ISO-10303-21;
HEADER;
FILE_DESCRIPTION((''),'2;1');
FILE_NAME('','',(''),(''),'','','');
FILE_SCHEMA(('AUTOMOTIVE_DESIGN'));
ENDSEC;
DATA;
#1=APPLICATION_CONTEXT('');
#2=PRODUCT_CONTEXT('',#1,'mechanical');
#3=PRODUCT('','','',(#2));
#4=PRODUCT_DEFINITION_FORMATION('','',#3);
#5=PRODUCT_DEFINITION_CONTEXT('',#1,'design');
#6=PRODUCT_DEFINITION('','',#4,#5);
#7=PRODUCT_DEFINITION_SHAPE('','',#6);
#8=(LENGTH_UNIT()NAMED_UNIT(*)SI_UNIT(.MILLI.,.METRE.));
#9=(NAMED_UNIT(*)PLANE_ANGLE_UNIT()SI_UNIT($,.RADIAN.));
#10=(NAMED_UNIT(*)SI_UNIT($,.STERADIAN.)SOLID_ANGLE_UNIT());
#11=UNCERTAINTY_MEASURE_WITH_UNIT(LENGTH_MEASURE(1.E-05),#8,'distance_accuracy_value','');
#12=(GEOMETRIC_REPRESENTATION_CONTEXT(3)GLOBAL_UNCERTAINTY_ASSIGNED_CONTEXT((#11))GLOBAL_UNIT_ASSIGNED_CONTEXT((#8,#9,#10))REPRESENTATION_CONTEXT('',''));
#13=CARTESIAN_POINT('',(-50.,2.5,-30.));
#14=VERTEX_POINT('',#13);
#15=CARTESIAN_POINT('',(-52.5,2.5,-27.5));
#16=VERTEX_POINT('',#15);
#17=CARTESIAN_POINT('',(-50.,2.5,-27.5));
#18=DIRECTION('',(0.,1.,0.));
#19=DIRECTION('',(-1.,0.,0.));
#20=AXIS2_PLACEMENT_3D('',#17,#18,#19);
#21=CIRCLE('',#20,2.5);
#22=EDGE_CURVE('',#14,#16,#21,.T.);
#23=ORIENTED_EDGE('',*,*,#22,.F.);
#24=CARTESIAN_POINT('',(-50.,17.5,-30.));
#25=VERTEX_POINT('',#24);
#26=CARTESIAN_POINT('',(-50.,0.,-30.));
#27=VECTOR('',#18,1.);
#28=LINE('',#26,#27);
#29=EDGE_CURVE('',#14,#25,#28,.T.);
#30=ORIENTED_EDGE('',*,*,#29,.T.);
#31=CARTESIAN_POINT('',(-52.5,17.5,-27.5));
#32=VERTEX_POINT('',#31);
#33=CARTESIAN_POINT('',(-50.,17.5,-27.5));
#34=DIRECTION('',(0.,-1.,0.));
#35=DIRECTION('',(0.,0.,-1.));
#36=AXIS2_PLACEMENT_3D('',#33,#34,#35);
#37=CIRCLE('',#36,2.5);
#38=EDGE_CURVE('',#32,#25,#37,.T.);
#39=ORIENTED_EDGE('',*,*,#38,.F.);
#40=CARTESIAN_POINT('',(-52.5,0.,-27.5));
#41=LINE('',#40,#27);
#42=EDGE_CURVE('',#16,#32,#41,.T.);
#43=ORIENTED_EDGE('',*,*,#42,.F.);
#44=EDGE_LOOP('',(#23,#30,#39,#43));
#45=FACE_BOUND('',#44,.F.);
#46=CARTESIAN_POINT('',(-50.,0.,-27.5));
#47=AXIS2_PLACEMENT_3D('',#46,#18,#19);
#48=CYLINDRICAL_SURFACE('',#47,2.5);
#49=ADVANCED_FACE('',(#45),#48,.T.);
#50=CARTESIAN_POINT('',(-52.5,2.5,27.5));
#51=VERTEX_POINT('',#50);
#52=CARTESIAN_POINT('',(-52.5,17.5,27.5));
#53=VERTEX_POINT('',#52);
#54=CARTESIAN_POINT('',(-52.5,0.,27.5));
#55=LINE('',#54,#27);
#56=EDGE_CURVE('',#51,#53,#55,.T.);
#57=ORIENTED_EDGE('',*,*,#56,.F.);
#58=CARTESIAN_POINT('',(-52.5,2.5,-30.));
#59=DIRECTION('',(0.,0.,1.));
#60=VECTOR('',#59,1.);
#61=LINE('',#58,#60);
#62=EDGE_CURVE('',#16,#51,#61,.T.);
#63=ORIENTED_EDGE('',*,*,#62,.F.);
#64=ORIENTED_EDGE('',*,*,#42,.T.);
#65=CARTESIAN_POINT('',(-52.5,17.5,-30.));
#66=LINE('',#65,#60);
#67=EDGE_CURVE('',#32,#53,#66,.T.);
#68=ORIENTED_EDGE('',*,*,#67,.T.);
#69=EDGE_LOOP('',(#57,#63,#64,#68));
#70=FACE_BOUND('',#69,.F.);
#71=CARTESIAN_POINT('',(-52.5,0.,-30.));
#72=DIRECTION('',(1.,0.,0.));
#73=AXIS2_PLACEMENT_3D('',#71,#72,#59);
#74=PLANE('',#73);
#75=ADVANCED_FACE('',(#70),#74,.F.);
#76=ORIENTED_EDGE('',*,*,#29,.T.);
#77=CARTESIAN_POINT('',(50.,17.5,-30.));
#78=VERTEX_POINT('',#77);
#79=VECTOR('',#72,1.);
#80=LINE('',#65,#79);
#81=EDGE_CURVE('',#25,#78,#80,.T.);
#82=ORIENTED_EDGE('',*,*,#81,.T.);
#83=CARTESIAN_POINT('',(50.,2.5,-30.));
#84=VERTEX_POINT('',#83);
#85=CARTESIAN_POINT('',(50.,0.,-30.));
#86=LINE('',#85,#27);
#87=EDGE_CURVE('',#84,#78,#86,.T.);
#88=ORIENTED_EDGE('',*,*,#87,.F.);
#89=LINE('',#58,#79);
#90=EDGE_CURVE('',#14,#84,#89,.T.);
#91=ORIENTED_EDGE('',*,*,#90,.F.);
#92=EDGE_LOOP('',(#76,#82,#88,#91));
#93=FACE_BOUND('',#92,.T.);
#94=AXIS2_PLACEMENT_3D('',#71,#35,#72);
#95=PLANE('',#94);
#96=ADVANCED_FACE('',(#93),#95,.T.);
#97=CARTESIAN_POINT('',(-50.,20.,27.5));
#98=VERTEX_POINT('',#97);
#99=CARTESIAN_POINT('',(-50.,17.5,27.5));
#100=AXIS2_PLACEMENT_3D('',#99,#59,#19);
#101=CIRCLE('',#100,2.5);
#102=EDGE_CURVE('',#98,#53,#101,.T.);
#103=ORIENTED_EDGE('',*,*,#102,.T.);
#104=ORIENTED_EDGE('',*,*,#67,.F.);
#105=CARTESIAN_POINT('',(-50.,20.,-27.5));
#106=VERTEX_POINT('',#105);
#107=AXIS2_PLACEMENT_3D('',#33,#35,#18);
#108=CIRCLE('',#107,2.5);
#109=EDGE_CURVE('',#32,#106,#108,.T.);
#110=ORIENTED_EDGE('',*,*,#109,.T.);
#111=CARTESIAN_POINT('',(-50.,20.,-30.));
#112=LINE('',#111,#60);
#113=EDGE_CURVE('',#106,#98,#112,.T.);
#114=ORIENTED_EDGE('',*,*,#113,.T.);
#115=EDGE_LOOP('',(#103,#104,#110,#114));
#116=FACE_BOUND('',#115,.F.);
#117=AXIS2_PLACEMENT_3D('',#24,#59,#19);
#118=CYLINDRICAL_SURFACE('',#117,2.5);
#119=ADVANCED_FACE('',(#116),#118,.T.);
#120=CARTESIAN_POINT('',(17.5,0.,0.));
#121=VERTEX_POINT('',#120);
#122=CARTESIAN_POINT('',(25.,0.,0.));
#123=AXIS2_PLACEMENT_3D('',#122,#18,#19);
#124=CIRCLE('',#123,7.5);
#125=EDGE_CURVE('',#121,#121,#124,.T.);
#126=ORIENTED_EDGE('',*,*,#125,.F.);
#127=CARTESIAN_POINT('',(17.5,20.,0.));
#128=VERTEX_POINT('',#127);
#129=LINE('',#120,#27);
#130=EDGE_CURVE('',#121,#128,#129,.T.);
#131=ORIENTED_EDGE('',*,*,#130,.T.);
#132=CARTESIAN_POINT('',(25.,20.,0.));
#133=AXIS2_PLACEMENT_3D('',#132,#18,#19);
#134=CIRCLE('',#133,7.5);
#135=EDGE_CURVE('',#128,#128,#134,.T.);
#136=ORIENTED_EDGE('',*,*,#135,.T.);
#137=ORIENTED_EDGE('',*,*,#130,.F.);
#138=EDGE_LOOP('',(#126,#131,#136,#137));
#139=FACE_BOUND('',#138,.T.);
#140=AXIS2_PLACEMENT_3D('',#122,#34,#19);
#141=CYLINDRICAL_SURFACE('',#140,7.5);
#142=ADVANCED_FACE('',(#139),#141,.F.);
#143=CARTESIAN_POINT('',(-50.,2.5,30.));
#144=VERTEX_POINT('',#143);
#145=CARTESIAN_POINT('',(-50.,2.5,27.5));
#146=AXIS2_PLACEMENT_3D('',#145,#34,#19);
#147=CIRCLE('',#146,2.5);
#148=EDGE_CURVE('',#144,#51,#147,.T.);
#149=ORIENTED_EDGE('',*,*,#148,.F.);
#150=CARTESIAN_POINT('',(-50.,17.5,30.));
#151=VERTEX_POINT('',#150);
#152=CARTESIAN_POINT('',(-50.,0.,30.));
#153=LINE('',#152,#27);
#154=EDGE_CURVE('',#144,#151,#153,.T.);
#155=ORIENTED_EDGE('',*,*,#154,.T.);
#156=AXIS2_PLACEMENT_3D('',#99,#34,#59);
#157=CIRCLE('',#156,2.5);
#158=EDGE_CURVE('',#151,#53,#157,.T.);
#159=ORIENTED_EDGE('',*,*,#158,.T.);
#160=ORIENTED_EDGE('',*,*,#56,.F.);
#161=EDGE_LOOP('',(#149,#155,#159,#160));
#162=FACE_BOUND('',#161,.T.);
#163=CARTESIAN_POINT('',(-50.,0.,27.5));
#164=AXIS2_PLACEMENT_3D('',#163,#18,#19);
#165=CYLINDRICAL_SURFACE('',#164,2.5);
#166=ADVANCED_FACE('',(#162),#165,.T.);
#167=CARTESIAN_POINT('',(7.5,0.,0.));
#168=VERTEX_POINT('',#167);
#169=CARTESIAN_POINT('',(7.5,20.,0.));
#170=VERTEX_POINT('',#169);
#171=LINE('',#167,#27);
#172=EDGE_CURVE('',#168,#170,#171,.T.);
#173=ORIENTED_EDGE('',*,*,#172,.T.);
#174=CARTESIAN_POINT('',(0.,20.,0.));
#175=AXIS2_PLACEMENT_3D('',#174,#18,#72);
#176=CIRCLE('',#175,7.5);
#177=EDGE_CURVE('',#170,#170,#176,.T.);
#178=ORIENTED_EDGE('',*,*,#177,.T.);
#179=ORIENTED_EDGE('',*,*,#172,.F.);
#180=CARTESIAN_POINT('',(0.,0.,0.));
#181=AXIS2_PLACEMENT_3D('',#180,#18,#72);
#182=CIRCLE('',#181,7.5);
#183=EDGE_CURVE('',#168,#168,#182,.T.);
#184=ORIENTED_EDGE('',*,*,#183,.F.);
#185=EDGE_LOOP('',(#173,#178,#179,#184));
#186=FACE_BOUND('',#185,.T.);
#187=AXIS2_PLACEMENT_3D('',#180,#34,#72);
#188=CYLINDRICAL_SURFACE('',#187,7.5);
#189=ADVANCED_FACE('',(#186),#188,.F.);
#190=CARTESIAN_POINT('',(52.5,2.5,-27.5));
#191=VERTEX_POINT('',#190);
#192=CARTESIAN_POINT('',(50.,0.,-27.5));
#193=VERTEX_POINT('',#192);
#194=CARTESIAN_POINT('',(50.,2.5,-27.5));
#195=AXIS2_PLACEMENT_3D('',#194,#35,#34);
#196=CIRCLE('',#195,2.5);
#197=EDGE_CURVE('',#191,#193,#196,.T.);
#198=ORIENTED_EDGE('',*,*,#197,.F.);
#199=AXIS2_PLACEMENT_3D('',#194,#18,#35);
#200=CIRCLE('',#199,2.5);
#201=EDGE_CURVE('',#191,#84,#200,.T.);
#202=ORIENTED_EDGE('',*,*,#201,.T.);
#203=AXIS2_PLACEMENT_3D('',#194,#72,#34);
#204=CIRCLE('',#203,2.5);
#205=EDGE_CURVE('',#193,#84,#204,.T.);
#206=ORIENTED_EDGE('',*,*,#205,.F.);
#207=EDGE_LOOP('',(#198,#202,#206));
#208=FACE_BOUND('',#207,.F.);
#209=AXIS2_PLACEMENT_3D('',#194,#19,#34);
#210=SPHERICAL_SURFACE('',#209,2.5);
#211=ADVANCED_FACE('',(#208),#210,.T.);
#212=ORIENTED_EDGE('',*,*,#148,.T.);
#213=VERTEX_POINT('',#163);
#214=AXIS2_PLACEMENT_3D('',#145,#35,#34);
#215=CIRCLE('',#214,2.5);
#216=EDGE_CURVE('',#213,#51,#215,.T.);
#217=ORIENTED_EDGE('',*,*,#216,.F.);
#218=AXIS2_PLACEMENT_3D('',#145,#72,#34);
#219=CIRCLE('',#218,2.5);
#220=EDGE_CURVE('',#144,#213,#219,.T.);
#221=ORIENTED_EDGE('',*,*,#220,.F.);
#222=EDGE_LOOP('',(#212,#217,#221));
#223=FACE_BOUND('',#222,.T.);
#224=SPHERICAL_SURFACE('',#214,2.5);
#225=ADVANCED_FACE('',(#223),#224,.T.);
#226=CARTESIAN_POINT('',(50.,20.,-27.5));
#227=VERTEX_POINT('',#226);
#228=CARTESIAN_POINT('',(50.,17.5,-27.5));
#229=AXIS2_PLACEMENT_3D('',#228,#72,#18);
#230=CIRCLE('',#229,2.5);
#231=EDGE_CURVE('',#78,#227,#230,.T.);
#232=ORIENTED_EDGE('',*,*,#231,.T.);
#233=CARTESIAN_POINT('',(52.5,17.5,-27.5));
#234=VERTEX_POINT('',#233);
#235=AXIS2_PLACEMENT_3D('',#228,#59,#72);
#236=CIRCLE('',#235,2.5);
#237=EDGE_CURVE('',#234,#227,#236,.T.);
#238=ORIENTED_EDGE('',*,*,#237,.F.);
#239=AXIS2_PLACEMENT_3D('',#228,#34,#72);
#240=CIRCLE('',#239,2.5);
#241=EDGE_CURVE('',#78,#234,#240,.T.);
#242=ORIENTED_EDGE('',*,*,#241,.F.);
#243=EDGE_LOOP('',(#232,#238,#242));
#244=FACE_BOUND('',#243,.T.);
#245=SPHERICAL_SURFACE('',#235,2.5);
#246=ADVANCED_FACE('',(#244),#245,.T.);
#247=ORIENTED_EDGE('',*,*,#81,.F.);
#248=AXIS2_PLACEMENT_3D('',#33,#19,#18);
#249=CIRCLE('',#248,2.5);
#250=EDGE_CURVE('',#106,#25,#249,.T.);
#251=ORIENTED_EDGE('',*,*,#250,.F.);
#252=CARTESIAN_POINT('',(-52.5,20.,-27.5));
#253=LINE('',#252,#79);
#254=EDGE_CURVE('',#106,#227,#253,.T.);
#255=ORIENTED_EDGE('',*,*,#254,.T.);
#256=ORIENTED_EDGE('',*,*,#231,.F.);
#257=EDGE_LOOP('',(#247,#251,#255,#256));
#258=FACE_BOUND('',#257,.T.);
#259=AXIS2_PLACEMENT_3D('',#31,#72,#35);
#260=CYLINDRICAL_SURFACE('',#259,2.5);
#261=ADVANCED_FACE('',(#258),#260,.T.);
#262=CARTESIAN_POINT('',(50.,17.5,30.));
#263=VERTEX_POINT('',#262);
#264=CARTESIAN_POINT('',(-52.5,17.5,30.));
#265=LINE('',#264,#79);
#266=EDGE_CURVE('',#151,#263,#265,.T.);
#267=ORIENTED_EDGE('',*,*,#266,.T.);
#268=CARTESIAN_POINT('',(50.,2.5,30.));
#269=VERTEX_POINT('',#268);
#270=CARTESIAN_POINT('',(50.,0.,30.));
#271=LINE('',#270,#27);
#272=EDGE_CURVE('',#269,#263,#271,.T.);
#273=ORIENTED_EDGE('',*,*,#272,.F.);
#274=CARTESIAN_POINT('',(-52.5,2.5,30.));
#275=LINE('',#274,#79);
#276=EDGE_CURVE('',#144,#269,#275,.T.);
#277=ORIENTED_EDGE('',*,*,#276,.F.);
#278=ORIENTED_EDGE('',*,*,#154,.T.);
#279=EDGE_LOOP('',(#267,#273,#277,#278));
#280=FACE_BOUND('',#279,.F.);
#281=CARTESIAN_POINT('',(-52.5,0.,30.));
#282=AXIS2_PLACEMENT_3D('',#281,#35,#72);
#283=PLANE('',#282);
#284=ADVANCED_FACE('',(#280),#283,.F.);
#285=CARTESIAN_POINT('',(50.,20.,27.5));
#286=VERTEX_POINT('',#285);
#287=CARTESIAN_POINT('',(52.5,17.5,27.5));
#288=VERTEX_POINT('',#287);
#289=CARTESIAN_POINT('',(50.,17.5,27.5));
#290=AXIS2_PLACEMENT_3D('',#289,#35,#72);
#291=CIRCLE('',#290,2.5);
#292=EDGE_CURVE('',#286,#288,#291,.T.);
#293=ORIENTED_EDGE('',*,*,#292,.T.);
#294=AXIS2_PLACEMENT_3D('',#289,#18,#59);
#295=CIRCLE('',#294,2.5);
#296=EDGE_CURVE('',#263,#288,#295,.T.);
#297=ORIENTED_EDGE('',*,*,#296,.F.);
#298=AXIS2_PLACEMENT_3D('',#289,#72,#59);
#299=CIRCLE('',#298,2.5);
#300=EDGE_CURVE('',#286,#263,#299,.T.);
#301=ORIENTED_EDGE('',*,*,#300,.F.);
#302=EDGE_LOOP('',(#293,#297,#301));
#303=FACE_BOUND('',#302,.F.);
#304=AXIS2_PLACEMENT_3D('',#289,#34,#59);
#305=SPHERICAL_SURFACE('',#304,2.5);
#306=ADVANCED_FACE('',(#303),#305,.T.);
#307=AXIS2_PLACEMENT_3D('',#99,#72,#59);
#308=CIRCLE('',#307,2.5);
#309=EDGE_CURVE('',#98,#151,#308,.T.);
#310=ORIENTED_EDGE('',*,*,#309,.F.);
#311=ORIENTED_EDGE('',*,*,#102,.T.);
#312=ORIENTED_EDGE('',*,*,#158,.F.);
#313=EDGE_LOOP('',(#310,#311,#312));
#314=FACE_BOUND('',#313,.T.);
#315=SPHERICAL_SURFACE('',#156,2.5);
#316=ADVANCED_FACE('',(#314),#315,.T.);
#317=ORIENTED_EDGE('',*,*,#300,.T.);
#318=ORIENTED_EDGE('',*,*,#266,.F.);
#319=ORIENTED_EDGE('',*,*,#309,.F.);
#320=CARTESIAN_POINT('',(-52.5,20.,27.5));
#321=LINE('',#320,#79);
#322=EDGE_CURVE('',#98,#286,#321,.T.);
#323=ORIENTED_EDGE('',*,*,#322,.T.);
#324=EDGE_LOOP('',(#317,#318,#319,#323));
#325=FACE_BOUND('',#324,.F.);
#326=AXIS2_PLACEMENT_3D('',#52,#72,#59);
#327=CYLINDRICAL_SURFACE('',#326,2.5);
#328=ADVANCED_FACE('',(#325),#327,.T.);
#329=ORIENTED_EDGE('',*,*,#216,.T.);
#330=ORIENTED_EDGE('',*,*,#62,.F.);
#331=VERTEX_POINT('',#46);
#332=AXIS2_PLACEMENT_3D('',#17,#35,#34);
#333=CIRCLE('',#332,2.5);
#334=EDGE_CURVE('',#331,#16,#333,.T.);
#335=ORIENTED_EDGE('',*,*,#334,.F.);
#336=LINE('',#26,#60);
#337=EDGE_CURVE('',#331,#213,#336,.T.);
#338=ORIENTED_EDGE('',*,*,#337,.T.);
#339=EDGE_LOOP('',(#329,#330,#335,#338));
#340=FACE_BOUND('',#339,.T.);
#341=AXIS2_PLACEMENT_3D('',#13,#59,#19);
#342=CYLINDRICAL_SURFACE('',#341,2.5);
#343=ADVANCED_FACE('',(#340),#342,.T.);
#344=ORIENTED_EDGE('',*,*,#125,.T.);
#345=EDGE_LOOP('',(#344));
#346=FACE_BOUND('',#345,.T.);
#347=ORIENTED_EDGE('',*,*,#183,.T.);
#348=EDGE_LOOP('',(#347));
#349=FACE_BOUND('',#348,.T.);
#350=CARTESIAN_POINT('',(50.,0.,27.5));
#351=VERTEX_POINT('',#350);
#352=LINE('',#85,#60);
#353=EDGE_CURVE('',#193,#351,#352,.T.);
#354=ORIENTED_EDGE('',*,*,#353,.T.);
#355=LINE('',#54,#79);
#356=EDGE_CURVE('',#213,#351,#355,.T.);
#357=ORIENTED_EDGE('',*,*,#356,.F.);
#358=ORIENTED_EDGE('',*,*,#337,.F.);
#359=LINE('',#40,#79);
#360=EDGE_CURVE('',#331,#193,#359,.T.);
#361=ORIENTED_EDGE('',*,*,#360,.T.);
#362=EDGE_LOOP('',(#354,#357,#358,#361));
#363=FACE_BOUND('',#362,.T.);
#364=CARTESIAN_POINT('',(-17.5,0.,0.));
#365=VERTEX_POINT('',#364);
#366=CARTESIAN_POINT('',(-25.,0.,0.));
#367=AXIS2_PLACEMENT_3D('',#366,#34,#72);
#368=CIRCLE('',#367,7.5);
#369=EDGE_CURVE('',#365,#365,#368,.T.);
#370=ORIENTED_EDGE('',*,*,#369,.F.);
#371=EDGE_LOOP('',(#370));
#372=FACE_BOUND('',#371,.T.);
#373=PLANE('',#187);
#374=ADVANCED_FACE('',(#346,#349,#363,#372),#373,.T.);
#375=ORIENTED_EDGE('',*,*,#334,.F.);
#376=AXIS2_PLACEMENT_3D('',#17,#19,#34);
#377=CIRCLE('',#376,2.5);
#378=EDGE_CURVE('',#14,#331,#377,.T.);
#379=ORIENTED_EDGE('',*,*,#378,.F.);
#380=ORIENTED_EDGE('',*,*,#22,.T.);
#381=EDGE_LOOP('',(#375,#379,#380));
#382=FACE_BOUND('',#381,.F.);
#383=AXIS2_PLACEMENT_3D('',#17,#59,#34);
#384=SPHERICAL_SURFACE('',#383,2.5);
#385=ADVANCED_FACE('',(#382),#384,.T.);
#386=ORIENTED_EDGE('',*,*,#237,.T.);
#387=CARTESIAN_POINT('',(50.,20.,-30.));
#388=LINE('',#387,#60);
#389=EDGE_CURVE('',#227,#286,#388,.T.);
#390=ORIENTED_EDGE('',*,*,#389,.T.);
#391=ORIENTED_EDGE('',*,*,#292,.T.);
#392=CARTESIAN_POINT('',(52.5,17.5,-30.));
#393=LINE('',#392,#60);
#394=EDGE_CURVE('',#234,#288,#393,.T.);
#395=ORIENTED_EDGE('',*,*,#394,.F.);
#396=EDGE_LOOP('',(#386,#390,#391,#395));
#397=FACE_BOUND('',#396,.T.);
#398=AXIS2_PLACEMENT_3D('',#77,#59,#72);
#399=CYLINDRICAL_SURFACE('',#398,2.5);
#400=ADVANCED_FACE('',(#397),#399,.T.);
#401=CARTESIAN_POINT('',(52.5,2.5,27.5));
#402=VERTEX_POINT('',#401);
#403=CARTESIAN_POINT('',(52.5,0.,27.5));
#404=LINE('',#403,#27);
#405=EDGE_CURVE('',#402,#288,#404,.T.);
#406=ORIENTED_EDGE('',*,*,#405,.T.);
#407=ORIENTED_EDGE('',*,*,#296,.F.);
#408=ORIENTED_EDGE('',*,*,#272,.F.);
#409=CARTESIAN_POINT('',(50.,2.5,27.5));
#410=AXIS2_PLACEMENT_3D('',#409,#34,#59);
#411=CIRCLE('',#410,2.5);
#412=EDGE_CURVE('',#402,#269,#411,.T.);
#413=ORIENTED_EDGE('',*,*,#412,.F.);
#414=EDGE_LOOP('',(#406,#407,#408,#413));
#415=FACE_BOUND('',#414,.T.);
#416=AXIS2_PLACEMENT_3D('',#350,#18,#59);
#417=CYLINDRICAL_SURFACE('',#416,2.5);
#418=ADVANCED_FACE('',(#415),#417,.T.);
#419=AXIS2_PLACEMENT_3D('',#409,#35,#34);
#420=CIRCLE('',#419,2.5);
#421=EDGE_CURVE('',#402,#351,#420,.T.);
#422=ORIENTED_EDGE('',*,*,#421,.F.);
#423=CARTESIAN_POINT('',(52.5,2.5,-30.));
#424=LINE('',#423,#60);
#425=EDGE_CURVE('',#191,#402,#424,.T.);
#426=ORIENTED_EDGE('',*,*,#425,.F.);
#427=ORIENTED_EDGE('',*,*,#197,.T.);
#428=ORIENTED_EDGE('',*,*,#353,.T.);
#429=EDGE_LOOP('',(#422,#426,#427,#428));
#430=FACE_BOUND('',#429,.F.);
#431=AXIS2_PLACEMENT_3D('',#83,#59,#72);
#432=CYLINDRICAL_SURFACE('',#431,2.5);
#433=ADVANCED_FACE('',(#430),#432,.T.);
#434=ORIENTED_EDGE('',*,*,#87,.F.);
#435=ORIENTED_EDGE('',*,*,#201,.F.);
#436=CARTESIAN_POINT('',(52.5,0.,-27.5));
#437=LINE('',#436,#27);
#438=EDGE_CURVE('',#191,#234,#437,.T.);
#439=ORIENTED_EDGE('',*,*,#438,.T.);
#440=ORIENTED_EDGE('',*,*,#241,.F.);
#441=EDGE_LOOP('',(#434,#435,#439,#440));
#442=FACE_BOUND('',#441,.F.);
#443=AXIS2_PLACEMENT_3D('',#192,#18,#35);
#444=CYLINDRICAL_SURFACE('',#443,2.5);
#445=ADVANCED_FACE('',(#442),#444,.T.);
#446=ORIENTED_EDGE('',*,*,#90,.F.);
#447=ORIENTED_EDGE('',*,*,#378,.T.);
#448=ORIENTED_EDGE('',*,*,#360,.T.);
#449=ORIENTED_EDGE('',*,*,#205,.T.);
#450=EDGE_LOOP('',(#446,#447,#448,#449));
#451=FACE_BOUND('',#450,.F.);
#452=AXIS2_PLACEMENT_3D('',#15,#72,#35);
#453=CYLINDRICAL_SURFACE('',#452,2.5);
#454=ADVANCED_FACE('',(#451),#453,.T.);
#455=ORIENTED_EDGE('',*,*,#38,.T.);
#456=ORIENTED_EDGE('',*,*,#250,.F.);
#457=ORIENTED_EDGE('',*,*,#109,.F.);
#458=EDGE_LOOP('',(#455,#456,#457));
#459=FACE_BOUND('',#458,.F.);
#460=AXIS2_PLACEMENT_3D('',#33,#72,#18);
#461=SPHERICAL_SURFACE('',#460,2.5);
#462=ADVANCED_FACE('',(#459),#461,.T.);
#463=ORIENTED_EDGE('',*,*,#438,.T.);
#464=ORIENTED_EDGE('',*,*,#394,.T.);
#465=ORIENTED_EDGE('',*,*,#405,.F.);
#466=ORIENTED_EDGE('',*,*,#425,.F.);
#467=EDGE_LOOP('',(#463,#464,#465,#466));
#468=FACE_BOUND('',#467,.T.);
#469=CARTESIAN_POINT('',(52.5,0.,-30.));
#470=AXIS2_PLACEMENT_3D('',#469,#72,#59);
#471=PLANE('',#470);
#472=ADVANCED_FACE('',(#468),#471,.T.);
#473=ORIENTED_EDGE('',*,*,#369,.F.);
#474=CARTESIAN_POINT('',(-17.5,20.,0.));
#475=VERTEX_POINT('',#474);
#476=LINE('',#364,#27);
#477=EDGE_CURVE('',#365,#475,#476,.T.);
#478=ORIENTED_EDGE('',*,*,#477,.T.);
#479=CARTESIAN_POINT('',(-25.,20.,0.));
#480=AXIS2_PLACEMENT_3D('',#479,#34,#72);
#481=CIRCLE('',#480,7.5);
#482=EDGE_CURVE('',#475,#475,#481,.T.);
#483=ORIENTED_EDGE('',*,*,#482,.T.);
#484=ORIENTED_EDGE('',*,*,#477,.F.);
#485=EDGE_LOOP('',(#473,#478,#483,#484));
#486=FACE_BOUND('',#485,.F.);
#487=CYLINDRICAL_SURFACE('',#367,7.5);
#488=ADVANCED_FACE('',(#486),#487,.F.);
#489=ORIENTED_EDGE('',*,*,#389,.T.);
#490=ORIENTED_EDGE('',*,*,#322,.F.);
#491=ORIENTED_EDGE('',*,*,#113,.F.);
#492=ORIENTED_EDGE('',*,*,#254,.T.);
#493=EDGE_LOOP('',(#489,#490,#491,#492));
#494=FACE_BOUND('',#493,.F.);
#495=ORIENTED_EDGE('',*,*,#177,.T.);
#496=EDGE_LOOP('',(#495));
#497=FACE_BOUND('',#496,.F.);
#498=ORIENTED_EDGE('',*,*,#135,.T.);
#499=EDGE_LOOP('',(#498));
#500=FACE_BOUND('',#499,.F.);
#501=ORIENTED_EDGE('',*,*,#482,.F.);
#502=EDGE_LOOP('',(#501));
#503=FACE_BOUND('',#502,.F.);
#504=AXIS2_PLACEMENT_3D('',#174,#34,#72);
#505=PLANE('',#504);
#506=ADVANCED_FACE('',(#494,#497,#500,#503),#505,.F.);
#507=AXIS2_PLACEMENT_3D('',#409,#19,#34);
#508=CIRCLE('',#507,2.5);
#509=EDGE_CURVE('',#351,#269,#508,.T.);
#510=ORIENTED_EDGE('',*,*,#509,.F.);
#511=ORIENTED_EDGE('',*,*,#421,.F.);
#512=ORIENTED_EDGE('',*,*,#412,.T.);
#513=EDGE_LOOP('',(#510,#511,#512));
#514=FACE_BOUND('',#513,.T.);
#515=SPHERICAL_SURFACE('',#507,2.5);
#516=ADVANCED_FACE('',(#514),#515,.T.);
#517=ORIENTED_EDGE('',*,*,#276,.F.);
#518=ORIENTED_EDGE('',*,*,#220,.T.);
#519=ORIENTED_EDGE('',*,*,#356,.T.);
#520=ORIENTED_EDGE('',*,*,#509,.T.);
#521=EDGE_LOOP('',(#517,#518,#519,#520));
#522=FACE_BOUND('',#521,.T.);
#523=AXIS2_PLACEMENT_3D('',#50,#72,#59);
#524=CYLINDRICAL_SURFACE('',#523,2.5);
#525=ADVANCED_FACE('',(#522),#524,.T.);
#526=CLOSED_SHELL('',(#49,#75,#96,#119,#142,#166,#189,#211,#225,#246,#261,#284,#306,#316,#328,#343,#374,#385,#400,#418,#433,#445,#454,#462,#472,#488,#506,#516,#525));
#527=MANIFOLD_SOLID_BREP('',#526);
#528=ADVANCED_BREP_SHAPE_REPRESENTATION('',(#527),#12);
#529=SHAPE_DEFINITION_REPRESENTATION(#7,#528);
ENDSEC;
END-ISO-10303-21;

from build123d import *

# Parameters (mm, degrees)
F0_W     = 105
F0_H     = 60
F0_R     = 7.5
F1_DEPTH = 20
F2_R     = 2.5


with BuildPart() as f1:
    # F0 (on Front) → F1 (new body)
    with BuildSketch(Plane.XZ):
        Rectangle(F0_W, F0_H)
        with Locations((-25, 0)):
            Circle(F0_R, mode=Mode.SUBTRACT)
        with BuildLine():
            ThreePointArc((-7.5, 0), (0, 7.5), (7.5, 0))
            ThreePointArc((7.5, 0), (0, -7.5), (-7.5, 0))
        make_face(mode=Mode.SUBTRACT)
        with BuildLine():
            ThreePointArc((32.5, 0), (25, -7.5), (17.5, 0))
            ThreePointArc((17.5, 0), (25, 7.5), (32.5, 0))
        make_face(mode=Mode.SUBTRACT)
    extrude(amount=-F1_DEPTH)

    # F2
    f2_edges = [f1.edges().sort_by_distance(p)[0] for p in [
        (-52.5, 0, 0),
        (0, 0, 30),
        (0, 0, -30),
        (52.5, 0, 0),
        (52.5, 10, 30),
        (-52.5, 10, 30),
        (0, 20, 30),
        (52.5, 20, 0),
        (52.5, 10, -30),
        (0, 20, -30),
        (-52.5, 20, 0),
        (-52.5, 10, -30),
    ]]
    fillet(f2_edges, radius=F2_R)


solid = f1.part
